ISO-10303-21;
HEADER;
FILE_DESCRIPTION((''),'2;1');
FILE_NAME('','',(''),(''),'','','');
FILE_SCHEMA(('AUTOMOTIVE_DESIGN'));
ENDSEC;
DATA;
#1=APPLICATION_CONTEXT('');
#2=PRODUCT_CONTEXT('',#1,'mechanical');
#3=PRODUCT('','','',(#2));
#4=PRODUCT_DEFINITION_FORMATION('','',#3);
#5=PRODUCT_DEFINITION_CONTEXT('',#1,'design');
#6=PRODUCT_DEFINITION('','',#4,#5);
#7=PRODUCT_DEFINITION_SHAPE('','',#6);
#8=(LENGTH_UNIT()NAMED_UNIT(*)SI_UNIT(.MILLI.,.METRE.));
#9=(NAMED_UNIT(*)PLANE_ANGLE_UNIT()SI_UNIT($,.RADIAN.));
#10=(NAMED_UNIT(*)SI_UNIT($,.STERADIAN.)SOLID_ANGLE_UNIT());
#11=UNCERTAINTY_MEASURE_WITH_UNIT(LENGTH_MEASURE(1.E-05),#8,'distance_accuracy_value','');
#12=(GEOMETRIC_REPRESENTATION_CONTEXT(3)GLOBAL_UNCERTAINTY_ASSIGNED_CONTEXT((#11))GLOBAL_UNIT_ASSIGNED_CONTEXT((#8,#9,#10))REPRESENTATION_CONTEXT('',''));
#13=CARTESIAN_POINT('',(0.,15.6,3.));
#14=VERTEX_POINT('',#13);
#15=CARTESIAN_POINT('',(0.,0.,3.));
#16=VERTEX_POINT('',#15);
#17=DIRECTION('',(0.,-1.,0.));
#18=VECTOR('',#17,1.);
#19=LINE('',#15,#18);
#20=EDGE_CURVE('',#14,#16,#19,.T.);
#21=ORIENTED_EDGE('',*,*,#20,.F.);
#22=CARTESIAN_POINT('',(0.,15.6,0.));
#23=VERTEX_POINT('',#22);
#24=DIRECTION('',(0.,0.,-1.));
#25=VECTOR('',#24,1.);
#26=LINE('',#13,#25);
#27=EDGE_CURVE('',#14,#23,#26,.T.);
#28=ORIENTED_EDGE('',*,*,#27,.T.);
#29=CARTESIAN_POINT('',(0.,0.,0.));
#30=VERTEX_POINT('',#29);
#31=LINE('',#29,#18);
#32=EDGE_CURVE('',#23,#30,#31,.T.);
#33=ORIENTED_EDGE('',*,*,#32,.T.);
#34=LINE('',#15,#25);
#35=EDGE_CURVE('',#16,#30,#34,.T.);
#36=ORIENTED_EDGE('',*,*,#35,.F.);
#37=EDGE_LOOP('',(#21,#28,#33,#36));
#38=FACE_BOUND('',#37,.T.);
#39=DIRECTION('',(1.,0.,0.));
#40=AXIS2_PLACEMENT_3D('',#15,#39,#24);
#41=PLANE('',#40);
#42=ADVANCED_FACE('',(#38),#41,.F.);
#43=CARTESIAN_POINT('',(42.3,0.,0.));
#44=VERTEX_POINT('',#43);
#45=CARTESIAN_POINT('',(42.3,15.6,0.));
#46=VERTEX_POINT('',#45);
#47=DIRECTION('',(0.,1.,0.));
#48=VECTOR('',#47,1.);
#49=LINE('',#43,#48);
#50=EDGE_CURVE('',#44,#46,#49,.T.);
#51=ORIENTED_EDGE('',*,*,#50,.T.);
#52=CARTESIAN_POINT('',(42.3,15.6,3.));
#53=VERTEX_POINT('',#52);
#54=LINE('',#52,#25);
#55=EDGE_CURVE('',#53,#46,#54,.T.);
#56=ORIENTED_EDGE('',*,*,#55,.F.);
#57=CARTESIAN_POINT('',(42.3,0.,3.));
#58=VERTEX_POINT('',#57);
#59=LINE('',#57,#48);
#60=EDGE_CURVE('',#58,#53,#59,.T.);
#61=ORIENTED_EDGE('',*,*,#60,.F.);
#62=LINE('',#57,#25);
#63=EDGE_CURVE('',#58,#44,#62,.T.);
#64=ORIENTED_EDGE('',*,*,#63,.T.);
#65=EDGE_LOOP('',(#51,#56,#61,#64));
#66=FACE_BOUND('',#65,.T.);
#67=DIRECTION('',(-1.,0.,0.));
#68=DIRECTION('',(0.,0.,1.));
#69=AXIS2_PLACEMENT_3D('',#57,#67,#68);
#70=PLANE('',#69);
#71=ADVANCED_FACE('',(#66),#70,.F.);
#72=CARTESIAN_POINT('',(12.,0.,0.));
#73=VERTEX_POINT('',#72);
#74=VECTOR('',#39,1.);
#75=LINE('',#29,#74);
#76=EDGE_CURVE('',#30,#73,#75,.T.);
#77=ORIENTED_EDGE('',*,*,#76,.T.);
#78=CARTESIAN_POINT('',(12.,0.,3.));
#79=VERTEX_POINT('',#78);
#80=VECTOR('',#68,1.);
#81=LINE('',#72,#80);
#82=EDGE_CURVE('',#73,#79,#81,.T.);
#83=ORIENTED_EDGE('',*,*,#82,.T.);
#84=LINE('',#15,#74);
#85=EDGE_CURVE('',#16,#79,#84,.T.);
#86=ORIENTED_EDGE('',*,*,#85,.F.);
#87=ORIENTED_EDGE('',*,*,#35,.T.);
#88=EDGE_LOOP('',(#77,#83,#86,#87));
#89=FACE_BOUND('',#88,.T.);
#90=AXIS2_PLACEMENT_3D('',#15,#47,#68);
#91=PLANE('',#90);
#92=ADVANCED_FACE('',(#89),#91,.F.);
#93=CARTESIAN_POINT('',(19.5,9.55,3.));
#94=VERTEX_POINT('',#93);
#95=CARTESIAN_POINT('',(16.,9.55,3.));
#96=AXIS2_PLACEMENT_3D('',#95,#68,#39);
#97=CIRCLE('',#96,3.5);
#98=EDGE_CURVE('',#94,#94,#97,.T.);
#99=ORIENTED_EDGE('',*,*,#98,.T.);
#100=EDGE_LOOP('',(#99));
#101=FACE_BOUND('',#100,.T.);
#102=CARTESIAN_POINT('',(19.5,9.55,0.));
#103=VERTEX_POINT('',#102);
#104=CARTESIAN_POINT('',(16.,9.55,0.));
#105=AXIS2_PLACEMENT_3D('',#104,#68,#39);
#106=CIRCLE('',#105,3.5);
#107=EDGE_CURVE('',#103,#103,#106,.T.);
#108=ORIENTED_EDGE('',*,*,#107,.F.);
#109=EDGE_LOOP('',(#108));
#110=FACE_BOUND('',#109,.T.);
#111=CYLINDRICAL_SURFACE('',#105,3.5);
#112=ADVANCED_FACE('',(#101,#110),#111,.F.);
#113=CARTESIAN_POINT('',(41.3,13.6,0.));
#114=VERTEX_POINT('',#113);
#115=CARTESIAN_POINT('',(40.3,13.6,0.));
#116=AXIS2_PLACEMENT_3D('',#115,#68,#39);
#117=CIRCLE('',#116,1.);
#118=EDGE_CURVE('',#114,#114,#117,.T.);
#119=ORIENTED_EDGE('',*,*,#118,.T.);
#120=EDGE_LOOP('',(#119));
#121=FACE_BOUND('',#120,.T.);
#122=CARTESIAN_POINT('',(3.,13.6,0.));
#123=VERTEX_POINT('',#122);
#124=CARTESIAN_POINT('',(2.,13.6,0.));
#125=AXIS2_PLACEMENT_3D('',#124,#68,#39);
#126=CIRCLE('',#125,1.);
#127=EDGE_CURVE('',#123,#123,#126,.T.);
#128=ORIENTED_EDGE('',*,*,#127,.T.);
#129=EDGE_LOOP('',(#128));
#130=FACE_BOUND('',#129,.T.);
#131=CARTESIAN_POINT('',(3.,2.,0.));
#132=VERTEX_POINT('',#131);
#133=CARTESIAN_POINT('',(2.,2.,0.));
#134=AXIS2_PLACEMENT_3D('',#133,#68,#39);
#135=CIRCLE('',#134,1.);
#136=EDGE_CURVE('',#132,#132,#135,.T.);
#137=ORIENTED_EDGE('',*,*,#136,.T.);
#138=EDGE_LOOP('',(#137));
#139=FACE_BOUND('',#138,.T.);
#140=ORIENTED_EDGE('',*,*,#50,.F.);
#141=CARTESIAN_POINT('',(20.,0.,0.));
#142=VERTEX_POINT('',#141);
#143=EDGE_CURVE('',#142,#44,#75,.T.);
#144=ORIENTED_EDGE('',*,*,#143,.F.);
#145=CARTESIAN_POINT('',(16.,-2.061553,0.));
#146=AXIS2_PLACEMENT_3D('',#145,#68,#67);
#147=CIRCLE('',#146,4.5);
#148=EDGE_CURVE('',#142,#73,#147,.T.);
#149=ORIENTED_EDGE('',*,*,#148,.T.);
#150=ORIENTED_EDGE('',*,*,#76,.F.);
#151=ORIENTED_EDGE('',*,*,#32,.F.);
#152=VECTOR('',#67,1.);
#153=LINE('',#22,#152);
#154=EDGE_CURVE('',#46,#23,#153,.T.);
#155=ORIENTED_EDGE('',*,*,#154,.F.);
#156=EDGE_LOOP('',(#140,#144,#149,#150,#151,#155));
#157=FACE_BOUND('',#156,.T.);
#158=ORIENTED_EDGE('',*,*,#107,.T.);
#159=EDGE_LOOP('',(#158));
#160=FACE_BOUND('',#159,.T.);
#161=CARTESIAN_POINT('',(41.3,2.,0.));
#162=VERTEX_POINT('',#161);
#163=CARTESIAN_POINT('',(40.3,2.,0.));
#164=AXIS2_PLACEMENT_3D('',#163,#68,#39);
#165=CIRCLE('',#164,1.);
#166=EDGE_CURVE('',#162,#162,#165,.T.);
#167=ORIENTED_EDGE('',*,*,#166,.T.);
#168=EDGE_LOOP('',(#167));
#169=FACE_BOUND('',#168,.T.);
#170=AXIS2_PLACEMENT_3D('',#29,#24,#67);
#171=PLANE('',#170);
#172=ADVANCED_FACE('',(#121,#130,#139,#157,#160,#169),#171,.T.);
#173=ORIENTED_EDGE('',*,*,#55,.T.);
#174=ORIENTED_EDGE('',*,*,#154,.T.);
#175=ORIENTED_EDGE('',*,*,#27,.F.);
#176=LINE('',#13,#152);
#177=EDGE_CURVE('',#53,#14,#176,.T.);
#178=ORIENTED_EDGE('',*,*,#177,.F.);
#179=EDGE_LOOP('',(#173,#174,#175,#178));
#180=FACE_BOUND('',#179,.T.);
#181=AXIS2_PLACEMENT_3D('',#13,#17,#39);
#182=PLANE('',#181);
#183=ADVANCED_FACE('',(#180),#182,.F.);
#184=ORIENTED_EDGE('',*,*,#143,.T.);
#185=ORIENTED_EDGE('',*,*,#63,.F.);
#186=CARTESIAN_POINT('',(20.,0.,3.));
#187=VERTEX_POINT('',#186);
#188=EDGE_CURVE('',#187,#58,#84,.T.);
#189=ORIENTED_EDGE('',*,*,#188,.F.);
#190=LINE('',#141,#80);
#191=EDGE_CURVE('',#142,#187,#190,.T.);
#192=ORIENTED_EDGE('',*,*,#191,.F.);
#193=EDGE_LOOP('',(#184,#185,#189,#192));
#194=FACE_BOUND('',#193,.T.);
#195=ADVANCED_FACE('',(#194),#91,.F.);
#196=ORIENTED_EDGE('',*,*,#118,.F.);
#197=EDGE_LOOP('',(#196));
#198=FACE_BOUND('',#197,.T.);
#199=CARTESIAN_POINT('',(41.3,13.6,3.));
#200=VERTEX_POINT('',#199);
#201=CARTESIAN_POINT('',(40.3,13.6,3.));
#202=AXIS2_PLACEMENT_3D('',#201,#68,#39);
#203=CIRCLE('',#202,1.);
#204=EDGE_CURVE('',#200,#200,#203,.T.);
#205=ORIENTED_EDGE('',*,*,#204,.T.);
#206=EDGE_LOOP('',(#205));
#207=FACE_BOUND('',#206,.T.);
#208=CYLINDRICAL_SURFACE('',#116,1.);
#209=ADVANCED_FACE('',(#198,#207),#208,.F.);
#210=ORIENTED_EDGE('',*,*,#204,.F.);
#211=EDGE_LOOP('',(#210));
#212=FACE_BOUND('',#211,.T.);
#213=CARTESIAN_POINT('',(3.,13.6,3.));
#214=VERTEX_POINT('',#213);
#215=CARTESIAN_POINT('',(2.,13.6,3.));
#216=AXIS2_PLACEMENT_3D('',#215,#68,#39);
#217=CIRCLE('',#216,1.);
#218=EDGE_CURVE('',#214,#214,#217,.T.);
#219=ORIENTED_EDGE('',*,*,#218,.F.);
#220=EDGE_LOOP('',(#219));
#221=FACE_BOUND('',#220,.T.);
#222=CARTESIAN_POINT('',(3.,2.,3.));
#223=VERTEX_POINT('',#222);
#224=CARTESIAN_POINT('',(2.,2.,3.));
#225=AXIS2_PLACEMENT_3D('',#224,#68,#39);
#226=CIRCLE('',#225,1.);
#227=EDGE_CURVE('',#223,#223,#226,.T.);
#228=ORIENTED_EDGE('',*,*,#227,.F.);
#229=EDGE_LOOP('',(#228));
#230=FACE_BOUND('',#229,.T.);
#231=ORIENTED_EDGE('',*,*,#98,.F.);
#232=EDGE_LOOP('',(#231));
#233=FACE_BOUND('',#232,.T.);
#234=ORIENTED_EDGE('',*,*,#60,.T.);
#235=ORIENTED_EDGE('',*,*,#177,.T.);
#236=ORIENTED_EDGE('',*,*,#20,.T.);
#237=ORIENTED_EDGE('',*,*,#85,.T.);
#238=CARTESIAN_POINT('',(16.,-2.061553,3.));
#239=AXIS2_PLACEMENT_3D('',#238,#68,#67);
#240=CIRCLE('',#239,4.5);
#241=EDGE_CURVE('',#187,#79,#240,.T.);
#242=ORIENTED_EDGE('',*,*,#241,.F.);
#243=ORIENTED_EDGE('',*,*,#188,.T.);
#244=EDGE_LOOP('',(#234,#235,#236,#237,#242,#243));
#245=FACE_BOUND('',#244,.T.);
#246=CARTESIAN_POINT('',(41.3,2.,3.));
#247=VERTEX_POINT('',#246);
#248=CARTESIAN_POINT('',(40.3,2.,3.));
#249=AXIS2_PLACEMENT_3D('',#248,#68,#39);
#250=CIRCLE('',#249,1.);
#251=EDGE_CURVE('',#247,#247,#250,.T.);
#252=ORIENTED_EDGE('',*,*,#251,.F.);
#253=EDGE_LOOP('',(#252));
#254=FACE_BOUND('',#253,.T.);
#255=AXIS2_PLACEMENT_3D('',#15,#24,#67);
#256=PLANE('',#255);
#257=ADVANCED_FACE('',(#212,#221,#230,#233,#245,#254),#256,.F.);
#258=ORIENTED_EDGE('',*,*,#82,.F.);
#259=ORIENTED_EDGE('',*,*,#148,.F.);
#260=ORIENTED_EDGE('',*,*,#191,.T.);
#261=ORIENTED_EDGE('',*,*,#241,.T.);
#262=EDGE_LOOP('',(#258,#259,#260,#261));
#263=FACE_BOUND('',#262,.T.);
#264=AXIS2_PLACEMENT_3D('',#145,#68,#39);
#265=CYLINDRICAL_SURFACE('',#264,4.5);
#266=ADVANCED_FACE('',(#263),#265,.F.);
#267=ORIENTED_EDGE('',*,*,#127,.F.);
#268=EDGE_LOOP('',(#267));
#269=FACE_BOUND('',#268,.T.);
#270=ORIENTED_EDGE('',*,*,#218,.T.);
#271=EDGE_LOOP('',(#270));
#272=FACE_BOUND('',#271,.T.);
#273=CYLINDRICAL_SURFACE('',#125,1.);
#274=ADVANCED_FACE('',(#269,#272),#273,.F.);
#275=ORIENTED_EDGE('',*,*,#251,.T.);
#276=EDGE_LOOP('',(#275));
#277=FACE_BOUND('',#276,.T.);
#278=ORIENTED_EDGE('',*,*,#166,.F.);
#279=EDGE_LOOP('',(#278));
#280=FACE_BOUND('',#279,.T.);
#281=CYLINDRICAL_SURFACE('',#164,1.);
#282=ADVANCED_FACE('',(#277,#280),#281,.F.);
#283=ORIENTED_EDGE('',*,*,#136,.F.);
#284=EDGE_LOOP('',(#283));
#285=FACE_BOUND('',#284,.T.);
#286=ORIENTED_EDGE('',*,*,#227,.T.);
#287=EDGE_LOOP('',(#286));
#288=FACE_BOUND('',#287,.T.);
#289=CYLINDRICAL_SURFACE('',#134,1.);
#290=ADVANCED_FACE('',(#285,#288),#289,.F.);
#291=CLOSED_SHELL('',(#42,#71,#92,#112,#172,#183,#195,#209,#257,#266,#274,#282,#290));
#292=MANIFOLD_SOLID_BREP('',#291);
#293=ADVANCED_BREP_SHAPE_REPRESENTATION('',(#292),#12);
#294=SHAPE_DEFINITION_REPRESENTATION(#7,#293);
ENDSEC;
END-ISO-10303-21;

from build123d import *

# Parameters (mm, degrees)
SKETCH1_W           = 42.3
SKETCH1_H           = 15.6
BOSS_EXTRUDE1_DEPTH = 3
SKETCH2_R           = 1
CUT_EXTRUDE1_DEPTH  = 4
SKETCH3_R           = 3.5
CUT_EXTRUDE2_DEPTH  = 4
CUT_EXTRUDE3_DEPTH  = 4


with BuildPart() as part:
    # Sketch1 → Boss-Extrude1 (new body)
    with BuildSketch(Plane.XY):
        with Locations((21.15, 7.8)):
            Rectangle(SKETCH1_W, SKETCH1_H)
    extrude(amount=BOSS_EXTRUDE1_DEPTH)

    # Sketch2 → Cut-Extrude1 (cut, through all)
    with BuildSketch(Plane.XY.offset(3)):
        with Locations((2, 13.6)):
            Circle(SKETCH2_R)
        with Locations((40.3, 13.6)):
            Circle(SKETCH2_R)
        with Locations((40.3, 2)):
            Circle(SKETCH2_R)
        with Locations((2, 2)):
            Circle(SKETCH2_R)
    extrude(amount=-CUT_EXTRUDE1_DEPTH, mode=Mode.SUBTRACT)

    # Sketch3 → Cut-Extrude2 (cut, through all)
    with BuildSketch(Plane.XY.offset(3)):
        with Locations((16, 9.55)):
            Circle(SKETCH3_R)
    extrude(amount=-CUT_EXTRUDE2_DEPTH, mode=Mode.SUBTRACT)

    # Sketch4 → Cut-Extrude3 (cut, through all)
    with BuildSketch(Plane.XY.offset(3)):
        with BuildLine():
            Line((12, 0), (20, 0))
            ThreePointArc((20, 0), (16, 2.438447187), (12, 0))
        make_face()
    extrude(amount=-CUT_EXTRUDE3_DEPTH, mode=Mode.SUBTRACT)


solid = part.part
